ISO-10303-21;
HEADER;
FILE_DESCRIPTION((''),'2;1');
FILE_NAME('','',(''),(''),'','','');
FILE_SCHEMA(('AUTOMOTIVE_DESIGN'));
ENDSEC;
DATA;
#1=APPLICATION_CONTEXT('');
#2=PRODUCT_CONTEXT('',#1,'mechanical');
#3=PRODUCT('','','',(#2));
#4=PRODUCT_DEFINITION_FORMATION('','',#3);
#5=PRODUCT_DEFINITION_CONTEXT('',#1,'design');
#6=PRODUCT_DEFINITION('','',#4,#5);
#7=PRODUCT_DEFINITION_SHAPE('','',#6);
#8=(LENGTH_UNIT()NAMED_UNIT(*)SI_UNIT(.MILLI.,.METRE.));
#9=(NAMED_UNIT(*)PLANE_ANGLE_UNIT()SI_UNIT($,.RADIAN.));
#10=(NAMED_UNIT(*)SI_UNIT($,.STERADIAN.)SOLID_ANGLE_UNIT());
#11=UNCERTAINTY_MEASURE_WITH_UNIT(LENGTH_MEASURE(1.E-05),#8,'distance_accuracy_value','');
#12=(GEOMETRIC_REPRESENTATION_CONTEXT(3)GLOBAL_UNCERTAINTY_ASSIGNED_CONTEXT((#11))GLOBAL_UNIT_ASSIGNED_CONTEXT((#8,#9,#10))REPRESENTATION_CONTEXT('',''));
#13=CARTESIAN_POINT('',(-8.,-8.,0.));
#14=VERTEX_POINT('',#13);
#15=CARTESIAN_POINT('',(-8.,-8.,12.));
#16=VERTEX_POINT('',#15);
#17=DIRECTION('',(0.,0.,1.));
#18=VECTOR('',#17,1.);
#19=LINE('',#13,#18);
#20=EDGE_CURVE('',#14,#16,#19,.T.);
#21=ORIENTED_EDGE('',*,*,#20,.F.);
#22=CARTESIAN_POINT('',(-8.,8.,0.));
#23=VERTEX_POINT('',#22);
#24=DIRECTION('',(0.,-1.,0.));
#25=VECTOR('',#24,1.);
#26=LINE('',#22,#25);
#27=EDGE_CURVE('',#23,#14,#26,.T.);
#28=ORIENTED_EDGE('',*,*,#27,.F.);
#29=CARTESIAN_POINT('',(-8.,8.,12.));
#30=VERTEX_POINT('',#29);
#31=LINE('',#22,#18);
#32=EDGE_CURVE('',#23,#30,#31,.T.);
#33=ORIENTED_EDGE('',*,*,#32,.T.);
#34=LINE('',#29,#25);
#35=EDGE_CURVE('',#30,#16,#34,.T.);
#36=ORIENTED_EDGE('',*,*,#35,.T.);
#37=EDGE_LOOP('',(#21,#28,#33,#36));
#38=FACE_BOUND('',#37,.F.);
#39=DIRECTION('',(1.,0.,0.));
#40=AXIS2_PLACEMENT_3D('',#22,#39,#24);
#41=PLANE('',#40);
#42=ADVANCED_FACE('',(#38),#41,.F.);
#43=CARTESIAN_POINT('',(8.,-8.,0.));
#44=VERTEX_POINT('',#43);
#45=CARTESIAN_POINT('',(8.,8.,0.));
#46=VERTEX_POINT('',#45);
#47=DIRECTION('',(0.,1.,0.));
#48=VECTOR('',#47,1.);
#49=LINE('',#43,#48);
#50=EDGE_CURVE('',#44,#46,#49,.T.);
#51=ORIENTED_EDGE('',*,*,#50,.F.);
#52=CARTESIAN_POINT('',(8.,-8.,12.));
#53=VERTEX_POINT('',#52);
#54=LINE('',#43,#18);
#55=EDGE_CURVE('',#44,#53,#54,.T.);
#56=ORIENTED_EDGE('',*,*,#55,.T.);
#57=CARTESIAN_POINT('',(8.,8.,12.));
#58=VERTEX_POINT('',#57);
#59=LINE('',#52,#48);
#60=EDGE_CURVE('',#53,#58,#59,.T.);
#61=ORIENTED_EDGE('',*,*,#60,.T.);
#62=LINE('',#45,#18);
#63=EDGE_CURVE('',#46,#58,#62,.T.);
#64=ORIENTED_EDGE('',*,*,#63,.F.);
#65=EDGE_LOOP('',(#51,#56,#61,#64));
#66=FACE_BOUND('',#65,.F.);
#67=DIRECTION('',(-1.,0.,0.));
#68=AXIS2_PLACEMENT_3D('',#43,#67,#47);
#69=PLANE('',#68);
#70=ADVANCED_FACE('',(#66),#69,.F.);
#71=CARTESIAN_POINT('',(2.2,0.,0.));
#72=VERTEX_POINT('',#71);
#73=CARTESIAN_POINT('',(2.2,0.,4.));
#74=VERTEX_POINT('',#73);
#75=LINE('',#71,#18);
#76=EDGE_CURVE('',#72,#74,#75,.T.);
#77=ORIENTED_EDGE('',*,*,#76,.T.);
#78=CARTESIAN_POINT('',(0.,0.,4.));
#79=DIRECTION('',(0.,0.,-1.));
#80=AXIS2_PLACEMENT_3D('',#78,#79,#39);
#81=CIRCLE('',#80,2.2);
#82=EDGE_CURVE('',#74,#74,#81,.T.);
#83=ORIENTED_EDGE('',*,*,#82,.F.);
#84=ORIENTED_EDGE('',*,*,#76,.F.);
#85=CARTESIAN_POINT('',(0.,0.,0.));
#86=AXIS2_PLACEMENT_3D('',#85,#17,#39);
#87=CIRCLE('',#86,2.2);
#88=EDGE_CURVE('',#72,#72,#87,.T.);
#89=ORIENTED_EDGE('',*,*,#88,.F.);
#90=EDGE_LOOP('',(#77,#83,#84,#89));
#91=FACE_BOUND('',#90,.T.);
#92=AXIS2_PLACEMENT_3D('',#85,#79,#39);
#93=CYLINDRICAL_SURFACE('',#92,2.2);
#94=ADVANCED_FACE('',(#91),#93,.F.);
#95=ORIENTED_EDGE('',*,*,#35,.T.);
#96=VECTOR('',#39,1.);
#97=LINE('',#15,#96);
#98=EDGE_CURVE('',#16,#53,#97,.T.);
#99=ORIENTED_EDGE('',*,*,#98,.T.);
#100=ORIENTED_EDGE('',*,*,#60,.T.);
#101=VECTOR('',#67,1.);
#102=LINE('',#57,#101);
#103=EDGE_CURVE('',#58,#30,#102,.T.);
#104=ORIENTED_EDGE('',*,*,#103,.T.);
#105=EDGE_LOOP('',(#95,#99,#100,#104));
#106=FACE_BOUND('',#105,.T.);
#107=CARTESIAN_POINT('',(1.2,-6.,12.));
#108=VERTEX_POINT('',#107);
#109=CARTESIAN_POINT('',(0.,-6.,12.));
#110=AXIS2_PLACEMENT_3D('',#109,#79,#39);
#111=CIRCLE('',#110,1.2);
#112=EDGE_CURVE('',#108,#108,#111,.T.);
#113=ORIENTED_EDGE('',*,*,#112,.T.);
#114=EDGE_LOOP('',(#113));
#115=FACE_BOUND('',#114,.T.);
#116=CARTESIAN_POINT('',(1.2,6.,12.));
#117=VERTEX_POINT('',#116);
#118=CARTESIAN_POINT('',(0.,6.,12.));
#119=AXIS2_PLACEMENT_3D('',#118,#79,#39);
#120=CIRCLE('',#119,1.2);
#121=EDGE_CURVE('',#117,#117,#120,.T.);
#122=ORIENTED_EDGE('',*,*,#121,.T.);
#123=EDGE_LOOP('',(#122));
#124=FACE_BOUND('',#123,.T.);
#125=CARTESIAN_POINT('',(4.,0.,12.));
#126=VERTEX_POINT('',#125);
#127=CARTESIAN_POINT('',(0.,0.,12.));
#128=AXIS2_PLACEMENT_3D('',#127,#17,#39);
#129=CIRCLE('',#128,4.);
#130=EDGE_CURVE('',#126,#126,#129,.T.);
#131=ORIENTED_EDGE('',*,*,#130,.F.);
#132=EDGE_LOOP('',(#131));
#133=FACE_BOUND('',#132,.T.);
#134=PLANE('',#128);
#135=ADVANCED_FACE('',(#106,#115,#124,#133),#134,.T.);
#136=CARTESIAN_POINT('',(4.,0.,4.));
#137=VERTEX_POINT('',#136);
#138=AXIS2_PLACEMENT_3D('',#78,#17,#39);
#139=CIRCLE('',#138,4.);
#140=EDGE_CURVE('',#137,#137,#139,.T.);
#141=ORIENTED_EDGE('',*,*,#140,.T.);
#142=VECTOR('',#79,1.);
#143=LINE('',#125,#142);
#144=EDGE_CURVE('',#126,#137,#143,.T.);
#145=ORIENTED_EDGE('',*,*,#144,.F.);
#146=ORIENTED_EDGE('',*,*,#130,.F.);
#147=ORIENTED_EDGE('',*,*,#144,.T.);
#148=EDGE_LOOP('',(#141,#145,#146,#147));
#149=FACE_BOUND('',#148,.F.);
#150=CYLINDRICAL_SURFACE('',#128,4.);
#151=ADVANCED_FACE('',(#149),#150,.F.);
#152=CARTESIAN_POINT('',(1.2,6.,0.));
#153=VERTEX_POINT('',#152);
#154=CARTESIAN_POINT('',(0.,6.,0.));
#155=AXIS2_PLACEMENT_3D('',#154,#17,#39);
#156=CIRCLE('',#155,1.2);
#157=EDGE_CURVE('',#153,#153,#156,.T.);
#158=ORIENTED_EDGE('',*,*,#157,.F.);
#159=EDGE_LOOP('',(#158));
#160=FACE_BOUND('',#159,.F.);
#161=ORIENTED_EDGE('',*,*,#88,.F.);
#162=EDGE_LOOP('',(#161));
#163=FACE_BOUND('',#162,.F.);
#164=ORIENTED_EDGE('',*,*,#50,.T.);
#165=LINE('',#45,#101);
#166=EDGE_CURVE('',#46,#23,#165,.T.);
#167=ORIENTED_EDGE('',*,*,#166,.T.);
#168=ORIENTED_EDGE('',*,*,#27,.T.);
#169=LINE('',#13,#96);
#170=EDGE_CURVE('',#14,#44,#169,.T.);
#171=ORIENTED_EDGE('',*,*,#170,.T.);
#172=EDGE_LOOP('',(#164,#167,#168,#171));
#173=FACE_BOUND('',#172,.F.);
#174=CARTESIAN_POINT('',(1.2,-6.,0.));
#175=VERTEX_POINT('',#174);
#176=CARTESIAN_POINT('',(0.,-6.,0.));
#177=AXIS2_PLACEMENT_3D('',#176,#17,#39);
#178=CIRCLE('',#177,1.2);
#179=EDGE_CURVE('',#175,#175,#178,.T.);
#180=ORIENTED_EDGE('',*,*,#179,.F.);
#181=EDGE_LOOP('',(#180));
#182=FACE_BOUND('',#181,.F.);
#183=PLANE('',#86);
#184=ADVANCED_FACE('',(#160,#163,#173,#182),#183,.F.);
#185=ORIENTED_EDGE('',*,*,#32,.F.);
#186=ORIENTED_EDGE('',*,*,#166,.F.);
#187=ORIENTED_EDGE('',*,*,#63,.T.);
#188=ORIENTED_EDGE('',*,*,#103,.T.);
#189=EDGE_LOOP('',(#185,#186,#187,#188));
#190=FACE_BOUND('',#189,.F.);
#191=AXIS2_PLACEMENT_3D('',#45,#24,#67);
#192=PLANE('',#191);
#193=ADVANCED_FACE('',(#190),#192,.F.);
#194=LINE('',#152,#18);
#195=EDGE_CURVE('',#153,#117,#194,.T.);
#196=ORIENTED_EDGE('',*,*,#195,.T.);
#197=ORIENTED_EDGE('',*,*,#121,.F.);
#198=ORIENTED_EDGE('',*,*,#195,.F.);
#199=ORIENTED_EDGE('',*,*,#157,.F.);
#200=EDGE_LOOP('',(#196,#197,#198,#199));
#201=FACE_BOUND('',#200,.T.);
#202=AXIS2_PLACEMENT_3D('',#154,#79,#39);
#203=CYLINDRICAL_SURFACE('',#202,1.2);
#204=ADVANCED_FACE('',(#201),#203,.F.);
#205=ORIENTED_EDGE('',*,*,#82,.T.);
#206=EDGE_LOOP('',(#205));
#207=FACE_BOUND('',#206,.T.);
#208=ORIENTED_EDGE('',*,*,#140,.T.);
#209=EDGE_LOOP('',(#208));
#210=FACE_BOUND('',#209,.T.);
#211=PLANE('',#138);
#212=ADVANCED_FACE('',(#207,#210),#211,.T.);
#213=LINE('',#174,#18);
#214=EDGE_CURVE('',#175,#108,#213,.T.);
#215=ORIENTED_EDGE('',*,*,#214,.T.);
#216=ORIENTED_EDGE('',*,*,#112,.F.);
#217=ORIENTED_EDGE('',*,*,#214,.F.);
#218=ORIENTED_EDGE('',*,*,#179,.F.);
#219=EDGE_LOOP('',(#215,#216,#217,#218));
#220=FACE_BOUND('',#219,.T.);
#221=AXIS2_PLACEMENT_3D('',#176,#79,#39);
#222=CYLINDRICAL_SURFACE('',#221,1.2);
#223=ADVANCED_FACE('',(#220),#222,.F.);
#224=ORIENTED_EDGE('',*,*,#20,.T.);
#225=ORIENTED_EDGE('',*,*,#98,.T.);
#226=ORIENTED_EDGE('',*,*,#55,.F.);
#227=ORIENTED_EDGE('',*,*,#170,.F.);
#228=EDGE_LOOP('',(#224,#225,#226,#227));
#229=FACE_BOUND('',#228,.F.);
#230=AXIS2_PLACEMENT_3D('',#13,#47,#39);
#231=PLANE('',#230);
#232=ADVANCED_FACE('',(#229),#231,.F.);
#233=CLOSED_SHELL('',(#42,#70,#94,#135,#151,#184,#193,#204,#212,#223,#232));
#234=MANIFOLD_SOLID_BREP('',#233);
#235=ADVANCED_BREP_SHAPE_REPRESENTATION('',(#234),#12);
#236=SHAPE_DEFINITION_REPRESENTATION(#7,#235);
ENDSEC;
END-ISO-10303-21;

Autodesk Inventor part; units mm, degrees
ref_plane "YZ Plane" through (0, 0, 0) normal (1, 0, 0) x (0, 1, 0)
ref_plane "XZ Plane" through (0, 0, 0) normal (0, 1, 0) x (-1, 0, 0)
sketch "Skizze1" plane through (0, 0, 0) normal (0, 0, 1) x (1, 0, 0)
  line L0 (-8, -8) -> (8, -8)
  line L1 (8, -8) -> (8, 8)
  line L2 (8, 8) -> (-8, 8)
  line L3 (-8, 8) -> (-8, -8)
extrude "Extrusion1" add sketch "Skizze1" along normal blind 12
sketch "Skizze2" plane through (0, 0, 0) normal (0, 0, 1) x (1, 0, 0)
  circle A0 centre (0, 0) radius 2.2
extrude "Extrusion2" cut sketch "Skizze2" along normal blind 12.2
sketch "Skizze3" plane through (0, 0, 0) normal (0, 0, 1) x (1, 0, 0)
  circle A0 centre (0, 6) radius 1.2
extrude "Extrusion3" cut sketch "Skizze3" along normal blind 12.2
sketch "Skizze4" plane through (0, 0, 0) normal (0, 0, 1) x (1, 0, 0)
  circle A0 centre (0, -6) radius 1.2
extrude "Extrusion4" cut sketch "Skizze4" along normal blind 12.2
ref_plane "Arbeitsebene1" through (0, 0, 12) normal (0, 0, 1) x (1, 0, 0)
sketch "Skizze5" plane through (0, 0, 12) normal (0, 0, 1) x (1, 0, 0)
  circle A0 centre (0, 0) radius 4
extrude "Extrusion5" cut sketch "Skizze5" against normal blind 8
properties part number "Rast_Halter"
